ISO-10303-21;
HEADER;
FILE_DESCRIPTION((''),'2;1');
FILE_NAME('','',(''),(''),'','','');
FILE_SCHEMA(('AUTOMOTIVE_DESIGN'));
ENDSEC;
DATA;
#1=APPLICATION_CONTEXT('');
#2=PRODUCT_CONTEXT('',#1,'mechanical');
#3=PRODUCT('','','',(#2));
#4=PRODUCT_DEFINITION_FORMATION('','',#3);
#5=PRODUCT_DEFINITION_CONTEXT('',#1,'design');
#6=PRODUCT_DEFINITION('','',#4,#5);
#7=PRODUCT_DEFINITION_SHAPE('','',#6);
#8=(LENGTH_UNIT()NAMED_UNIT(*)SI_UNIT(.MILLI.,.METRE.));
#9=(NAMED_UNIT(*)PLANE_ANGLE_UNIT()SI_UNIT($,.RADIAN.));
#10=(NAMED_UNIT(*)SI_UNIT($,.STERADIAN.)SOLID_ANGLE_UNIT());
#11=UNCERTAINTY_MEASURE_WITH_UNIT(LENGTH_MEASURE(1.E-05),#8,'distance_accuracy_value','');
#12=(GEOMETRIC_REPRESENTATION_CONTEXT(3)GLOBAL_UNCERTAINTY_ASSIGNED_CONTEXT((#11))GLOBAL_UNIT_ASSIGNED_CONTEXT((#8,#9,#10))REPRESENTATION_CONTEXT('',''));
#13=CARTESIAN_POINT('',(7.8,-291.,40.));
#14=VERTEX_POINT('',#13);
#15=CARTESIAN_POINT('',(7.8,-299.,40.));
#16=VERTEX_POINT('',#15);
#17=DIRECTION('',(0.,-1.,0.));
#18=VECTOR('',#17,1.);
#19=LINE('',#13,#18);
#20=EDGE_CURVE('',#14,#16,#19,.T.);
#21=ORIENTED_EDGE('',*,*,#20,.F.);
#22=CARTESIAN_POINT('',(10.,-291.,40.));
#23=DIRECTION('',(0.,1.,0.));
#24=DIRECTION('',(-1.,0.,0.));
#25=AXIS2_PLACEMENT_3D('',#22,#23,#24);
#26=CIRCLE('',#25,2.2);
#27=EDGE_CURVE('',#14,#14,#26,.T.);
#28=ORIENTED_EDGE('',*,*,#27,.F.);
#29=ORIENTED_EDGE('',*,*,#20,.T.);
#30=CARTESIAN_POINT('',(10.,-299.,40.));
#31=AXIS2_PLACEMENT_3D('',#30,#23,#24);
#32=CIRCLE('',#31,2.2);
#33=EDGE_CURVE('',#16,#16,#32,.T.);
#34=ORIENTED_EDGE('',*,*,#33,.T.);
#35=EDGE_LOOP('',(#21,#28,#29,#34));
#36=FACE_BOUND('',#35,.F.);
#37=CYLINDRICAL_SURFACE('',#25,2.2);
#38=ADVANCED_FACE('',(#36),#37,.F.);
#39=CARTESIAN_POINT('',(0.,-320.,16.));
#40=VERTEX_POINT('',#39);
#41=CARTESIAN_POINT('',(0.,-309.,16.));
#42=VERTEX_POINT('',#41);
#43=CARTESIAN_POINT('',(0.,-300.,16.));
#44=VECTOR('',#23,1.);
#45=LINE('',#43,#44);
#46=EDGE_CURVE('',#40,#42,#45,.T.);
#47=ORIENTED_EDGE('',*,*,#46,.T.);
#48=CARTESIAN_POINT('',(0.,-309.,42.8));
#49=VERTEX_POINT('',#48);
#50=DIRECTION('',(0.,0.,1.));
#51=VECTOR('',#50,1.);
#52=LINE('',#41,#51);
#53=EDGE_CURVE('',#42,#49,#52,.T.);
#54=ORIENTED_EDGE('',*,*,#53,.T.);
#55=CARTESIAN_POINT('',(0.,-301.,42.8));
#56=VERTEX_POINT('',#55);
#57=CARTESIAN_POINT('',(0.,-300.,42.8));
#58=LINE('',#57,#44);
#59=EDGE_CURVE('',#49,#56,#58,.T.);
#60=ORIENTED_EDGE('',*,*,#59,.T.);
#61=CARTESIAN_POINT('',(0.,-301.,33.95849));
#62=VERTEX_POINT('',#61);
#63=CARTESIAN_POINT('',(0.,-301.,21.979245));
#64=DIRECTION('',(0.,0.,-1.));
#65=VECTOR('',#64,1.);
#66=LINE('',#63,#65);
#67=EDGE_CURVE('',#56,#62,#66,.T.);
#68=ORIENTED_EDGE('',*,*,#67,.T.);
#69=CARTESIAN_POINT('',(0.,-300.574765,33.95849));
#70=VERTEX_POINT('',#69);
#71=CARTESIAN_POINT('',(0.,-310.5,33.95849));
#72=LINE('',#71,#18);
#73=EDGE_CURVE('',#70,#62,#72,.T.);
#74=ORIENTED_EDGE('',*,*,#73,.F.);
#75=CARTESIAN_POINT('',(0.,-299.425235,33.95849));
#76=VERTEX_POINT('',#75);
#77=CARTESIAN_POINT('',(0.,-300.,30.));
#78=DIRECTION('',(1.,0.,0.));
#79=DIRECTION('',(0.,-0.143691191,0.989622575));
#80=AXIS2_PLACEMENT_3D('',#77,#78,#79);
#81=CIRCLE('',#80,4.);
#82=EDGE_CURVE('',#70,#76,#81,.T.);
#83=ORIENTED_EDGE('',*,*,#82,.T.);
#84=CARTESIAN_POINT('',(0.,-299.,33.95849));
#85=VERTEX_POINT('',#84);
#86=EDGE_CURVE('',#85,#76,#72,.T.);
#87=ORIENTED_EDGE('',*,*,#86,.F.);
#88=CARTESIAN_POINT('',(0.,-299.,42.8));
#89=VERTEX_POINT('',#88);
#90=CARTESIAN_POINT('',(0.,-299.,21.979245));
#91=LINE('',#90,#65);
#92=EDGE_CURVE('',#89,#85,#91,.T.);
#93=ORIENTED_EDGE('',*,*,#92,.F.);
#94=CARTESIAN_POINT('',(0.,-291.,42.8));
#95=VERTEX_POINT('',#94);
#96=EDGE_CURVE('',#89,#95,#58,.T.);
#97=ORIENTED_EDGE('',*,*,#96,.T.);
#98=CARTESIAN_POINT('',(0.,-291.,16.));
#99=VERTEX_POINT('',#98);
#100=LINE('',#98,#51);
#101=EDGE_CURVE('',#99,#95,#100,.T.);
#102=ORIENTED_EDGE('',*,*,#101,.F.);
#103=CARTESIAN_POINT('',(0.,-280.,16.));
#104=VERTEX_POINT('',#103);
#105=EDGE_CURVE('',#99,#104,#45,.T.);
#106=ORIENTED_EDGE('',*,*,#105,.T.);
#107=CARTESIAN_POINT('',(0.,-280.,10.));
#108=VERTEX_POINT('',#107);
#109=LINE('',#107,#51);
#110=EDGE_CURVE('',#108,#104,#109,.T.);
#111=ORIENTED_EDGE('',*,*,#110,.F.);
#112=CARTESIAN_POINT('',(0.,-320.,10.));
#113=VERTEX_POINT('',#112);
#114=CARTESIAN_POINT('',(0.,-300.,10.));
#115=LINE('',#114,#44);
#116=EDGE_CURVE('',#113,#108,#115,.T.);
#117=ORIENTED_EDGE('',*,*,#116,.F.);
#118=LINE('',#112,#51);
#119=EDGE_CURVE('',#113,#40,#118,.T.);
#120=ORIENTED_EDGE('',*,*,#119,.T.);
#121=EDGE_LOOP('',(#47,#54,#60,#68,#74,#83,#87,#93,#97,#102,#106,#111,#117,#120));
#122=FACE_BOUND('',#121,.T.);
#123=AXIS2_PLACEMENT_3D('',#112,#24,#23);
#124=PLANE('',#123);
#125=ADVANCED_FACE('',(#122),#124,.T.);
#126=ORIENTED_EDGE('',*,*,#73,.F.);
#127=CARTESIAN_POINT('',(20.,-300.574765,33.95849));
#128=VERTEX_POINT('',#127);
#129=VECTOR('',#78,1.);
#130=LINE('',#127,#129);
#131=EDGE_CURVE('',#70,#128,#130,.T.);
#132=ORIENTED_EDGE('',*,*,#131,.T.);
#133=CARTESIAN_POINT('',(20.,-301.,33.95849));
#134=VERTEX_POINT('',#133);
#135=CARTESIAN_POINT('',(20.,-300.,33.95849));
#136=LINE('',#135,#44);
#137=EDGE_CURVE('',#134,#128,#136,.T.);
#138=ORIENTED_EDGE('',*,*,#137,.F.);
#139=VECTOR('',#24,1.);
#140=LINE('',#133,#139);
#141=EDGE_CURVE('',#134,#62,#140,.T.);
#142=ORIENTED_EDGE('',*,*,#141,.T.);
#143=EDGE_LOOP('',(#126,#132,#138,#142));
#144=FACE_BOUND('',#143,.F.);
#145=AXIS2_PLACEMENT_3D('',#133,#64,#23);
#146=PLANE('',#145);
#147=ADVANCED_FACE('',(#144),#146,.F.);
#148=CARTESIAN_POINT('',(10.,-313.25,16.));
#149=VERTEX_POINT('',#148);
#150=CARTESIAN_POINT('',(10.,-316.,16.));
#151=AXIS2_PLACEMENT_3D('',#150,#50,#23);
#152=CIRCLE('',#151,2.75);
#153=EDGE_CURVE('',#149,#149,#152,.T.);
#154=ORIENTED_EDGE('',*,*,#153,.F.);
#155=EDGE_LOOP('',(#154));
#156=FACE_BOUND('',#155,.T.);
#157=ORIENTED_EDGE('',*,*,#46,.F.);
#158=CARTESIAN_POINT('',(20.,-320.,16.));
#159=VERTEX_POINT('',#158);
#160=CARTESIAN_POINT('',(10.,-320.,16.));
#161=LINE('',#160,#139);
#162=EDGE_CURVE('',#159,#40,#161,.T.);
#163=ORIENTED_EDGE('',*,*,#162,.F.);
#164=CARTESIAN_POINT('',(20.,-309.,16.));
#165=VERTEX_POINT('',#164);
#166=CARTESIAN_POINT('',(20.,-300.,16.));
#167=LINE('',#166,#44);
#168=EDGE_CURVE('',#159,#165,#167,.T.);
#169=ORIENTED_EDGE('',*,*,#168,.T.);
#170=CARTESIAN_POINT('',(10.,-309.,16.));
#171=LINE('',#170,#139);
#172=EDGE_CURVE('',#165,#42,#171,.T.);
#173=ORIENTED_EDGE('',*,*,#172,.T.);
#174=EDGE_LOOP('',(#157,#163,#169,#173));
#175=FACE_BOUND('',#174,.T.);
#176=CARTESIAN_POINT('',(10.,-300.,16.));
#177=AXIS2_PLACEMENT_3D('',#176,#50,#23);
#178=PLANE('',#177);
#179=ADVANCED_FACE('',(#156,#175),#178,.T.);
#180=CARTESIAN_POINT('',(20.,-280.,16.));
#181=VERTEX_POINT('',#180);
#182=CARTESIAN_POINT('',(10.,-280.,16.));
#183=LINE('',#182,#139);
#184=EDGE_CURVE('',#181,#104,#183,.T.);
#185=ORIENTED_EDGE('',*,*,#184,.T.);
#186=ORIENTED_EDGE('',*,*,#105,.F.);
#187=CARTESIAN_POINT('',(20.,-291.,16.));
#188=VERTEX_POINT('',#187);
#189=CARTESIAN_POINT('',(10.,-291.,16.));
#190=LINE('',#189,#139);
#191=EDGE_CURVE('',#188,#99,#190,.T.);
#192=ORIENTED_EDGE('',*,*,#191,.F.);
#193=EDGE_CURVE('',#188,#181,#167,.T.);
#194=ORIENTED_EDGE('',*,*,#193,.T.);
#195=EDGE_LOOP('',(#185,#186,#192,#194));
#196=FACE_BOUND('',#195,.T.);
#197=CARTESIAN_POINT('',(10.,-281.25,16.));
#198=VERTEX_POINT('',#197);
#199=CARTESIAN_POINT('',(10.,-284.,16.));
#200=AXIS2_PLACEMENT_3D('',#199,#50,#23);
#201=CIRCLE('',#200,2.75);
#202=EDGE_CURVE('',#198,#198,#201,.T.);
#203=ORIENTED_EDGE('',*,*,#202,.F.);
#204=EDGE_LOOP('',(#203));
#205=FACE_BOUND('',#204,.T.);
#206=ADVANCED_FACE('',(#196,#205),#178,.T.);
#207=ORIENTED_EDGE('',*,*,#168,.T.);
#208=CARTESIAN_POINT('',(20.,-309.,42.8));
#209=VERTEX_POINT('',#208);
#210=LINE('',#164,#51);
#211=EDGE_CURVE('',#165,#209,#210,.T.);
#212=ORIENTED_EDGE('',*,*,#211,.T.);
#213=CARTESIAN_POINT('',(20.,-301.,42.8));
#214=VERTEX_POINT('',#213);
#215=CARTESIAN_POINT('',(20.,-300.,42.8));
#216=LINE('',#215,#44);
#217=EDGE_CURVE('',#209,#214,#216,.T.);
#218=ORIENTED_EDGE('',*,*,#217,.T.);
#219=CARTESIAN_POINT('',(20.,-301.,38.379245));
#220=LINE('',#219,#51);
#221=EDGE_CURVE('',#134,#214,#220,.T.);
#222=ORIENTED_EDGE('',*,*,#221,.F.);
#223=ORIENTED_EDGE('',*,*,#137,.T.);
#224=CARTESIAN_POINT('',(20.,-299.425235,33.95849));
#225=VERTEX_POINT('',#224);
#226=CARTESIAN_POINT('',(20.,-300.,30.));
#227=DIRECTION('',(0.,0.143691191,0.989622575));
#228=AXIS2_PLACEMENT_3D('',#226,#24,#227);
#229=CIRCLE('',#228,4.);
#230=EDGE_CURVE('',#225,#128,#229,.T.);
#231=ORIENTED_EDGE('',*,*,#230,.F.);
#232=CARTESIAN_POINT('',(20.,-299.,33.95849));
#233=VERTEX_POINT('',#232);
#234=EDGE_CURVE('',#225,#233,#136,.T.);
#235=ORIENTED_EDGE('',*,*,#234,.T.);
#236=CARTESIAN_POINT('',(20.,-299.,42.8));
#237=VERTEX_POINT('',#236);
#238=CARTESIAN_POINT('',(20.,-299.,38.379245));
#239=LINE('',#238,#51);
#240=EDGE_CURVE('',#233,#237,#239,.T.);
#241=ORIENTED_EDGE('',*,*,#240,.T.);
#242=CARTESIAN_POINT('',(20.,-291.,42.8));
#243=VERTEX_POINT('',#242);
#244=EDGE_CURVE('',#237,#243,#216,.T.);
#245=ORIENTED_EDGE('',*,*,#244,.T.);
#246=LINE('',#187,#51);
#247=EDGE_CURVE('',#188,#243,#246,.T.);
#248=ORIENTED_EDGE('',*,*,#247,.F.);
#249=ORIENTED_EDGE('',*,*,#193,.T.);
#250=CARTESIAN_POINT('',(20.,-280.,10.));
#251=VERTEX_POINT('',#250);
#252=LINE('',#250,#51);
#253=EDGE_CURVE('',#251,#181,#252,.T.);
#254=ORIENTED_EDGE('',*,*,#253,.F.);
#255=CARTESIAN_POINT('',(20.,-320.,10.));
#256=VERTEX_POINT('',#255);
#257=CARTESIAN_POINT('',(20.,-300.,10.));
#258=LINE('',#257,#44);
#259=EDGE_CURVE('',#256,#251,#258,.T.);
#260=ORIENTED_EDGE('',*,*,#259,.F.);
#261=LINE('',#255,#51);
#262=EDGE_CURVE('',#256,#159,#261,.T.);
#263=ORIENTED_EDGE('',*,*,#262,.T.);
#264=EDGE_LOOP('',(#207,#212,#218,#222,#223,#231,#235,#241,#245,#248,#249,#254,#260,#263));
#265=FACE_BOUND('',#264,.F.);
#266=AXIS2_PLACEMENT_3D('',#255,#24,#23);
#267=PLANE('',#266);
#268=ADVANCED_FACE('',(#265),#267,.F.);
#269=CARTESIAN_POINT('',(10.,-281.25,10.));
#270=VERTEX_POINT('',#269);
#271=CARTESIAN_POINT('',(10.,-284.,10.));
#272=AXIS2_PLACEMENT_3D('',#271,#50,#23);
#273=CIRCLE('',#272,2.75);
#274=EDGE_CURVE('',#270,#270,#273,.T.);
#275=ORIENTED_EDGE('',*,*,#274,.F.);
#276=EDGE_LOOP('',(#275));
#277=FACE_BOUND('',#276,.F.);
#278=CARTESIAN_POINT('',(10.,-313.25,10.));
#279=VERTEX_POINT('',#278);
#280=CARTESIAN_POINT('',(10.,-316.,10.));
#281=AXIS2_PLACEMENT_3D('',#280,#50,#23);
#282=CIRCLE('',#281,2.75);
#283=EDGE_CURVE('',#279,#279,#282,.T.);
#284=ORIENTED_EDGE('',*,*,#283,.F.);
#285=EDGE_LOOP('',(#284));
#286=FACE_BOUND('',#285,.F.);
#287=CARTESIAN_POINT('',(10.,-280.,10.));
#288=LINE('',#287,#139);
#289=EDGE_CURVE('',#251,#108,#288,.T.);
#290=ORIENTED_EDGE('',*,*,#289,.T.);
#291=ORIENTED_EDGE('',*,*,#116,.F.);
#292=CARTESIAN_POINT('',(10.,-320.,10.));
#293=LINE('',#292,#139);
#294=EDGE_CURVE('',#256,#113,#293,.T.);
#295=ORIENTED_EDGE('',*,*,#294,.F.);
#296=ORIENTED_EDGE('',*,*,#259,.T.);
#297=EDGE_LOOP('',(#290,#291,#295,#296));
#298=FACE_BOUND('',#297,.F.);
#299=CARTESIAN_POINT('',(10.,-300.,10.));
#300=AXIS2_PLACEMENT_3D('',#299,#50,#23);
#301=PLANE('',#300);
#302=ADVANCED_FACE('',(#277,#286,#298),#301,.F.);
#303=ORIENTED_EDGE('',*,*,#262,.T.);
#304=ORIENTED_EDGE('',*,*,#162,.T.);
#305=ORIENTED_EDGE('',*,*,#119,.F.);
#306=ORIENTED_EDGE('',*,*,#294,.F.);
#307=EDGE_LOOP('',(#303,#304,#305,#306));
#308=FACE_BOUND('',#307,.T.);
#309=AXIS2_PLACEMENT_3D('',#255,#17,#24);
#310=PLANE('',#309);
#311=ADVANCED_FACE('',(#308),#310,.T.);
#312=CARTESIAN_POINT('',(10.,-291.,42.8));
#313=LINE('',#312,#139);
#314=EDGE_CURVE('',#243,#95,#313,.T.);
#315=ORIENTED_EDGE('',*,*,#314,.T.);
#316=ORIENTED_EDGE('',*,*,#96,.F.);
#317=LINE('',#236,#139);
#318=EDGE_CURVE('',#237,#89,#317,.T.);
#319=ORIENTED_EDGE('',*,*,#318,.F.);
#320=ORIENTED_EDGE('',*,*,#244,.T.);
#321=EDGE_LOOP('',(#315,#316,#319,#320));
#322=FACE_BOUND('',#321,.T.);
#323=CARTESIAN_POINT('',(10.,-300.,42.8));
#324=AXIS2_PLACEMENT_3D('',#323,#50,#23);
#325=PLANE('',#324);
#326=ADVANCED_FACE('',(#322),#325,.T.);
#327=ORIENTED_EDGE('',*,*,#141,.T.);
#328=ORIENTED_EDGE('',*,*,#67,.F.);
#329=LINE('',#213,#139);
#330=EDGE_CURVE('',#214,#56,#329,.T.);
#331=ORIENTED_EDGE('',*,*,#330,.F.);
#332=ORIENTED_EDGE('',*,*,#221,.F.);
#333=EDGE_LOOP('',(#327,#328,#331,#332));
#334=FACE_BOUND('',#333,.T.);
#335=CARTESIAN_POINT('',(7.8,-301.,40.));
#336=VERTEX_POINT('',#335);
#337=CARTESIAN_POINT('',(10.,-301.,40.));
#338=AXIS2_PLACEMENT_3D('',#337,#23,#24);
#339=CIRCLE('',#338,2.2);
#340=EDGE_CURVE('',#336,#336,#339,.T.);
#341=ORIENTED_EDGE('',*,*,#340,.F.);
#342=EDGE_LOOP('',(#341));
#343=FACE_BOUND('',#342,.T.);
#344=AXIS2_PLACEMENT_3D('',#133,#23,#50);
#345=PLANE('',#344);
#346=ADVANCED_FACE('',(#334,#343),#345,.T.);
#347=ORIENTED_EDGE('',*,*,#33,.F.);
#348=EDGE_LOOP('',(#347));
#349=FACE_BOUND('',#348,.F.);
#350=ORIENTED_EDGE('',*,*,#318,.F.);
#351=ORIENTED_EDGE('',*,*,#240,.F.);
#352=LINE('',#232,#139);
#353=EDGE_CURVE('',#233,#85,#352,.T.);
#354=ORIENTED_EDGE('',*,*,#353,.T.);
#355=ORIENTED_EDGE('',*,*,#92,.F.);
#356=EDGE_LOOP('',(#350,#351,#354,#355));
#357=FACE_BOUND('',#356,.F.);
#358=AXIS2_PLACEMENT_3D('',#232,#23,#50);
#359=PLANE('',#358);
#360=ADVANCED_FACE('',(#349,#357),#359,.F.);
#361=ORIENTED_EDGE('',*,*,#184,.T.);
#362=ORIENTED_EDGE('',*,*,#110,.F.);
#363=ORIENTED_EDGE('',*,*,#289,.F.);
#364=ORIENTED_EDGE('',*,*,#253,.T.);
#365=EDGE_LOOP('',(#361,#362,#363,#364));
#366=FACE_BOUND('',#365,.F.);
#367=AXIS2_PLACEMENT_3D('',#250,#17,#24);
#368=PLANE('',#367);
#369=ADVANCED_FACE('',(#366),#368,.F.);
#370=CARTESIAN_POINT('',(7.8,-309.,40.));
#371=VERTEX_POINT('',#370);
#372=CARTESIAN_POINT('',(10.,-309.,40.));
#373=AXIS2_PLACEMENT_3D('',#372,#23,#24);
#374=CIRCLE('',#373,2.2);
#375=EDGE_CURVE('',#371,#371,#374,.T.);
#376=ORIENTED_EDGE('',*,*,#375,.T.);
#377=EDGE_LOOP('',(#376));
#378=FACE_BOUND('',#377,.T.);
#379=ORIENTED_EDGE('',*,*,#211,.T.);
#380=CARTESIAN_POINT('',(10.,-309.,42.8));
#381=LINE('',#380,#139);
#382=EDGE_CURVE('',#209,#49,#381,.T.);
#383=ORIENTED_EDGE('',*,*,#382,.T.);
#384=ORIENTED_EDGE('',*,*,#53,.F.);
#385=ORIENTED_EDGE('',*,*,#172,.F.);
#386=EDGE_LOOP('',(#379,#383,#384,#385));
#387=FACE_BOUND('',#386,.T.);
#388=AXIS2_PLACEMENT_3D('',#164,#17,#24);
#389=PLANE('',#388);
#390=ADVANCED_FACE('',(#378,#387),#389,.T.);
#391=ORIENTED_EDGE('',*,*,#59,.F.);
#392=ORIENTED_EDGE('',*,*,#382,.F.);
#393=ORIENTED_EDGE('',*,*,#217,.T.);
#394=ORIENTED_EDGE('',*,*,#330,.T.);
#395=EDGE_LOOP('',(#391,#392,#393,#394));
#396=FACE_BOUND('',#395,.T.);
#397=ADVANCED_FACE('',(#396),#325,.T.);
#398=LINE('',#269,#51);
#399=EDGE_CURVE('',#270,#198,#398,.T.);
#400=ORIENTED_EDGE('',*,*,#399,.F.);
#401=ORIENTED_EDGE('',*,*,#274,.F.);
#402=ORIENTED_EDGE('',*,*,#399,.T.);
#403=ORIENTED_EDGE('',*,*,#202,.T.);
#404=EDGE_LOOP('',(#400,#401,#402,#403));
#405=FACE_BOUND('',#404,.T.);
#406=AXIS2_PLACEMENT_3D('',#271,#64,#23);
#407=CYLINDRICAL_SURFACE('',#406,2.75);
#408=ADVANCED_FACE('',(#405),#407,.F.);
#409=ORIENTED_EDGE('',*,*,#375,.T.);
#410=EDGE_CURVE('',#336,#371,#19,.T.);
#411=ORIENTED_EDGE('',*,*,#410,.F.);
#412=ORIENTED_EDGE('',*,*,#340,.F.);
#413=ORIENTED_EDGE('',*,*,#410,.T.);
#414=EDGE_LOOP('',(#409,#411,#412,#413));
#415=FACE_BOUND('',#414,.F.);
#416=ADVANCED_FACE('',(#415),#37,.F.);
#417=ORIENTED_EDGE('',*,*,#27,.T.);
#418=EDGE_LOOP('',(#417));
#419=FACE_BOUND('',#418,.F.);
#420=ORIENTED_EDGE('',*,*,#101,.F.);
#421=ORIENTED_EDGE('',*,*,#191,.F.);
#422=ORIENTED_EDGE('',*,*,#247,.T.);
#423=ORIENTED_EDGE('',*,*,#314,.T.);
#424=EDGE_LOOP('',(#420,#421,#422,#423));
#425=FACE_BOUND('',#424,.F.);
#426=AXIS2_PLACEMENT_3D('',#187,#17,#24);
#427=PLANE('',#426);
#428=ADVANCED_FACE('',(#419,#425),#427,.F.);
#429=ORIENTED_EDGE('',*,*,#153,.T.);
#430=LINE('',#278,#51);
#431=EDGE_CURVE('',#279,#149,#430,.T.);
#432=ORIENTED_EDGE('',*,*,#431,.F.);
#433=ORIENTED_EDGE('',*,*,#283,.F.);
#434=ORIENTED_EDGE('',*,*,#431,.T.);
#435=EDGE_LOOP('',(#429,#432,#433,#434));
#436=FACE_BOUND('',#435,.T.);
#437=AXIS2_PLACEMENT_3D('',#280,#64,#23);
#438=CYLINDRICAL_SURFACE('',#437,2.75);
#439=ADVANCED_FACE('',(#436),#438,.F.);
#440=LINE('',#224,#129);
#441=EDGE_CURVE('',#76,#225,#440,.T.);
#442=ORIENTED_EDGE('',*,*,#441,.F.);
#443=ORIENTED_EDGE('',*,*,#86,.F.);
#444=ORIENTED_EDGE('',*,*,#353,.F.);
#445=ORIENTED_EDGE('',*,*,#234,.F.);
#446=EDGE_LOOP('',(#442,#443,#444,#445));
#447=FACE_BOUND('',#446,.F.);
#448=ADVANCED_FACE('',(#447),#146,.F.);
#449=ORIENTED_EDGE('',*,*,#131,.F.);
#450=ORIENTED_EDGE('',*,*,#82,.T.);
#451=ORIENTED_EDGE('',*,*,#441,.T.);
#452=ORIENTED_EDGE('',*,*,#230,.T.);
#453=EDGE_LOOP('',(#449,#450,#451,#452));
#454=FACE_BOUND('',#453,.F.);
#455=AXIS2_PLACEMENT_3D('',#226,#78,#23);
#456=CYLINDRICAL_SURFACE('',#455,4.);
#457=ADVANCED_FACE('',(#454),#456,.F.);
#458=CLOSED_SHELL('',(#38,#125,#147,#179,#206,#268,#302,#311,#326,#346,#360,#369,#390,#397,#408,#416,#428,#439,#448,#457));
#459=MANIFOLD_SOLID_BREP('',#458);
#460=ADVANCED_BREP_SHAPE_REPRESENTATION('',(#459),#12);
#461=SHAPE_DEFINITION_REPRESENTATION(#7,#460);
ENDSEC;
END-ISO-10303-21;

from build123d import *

# Parameters (mm, degrees)
SKETCH008_W              = 40
SKETCH008_H              = 20
SKETCH008_R              = 2.75
PAD005_DEPTH             = 6
SKETCH009_W              = 18
SKETCH009_H              = 20
PAD006_DEPTH             = 26.8
SKETCH010_R              = 4
POCKET001_DEPTH          = 20.001
SKETCH011_W              = 2
SKETCH011_H              = 8.8415096984
POCKET002_DEPTH          = 20.001
SKETCH012_R              = 2.2
POCKET003_DEPTH          = 29.001
CLONE011_PLACEMENT_ANGLE = 90


with BuildPart() as part:
    # Sketch008 → Pad005 (new body)
    with BuildSketch(Plane.XY):
        Rectangle(SKETCH008_W, SKETCH008_H)
        with Locations((-16, 0)):
            Circle(SKETCH008_R, mode=Mode.SUBTRACT)
        with Locations((16, 0)):
            Circle(SKETCH008_R, mode=Mode.SUBTRACT)
    extrude(amount=PAD005_DEPTH)

    # Sketch009 (on Face8 of Pad005) → Pad006 (join)
    with BuildSketch(Plane.XY.offset(6)):
        Rectangle(SKETCH009_W, SKETCH009_H)
    extrude(amount=PAD006_DEPTH)

    # Sketch010 (on Face14 of Pad006) → Pocket001 (cut, through all)
    with BuildSketch(Plane.XZ.offset(10)):
        with Locations((0, 20)):
            Circle(SKETCH010_R)
    extrude(amount=-POCKET001_DEPTH, mode=Mode.SUBTRACT)

    # Sketch011 (on Face15 of Pocket001) → Pocket002 (cut, through all)
    with BuildSketch(Plane.XZ.offset(10)):
        with Locations((0, 28.3792451508)):
            Rectangle(SKETCH011_W, SKETCH011_H)
    extrude(amount=-POCKET002_DEPTH, mode=Mode.SUBTRACT)

    # Sketch012 (on Face12 of Pocket002) → Pocket003 (cut, through all)
    with BuildSketch(Plane.YZ.offset(9)):
        with Locations((0, 30)):
            Circle(SKETCH012_R)
    extrude(amount=-POCKET003_DEPTH, mode=Mode.SUBTRACT)


with BuildPart() as part_1:
    # Clone011 placement: moved
    add(part.part.moved(Location((10, -100, 10))).rotate(Axis((10, -100, 10), (0, 0, 1)), CLONE011_PLACEMENT_ANGLE))


with BuildPart() as part_2:
    # Clone022 placement: moved
    add(part_1.part.moved(Location((0, -200, 0))))


solid = part_2.part
